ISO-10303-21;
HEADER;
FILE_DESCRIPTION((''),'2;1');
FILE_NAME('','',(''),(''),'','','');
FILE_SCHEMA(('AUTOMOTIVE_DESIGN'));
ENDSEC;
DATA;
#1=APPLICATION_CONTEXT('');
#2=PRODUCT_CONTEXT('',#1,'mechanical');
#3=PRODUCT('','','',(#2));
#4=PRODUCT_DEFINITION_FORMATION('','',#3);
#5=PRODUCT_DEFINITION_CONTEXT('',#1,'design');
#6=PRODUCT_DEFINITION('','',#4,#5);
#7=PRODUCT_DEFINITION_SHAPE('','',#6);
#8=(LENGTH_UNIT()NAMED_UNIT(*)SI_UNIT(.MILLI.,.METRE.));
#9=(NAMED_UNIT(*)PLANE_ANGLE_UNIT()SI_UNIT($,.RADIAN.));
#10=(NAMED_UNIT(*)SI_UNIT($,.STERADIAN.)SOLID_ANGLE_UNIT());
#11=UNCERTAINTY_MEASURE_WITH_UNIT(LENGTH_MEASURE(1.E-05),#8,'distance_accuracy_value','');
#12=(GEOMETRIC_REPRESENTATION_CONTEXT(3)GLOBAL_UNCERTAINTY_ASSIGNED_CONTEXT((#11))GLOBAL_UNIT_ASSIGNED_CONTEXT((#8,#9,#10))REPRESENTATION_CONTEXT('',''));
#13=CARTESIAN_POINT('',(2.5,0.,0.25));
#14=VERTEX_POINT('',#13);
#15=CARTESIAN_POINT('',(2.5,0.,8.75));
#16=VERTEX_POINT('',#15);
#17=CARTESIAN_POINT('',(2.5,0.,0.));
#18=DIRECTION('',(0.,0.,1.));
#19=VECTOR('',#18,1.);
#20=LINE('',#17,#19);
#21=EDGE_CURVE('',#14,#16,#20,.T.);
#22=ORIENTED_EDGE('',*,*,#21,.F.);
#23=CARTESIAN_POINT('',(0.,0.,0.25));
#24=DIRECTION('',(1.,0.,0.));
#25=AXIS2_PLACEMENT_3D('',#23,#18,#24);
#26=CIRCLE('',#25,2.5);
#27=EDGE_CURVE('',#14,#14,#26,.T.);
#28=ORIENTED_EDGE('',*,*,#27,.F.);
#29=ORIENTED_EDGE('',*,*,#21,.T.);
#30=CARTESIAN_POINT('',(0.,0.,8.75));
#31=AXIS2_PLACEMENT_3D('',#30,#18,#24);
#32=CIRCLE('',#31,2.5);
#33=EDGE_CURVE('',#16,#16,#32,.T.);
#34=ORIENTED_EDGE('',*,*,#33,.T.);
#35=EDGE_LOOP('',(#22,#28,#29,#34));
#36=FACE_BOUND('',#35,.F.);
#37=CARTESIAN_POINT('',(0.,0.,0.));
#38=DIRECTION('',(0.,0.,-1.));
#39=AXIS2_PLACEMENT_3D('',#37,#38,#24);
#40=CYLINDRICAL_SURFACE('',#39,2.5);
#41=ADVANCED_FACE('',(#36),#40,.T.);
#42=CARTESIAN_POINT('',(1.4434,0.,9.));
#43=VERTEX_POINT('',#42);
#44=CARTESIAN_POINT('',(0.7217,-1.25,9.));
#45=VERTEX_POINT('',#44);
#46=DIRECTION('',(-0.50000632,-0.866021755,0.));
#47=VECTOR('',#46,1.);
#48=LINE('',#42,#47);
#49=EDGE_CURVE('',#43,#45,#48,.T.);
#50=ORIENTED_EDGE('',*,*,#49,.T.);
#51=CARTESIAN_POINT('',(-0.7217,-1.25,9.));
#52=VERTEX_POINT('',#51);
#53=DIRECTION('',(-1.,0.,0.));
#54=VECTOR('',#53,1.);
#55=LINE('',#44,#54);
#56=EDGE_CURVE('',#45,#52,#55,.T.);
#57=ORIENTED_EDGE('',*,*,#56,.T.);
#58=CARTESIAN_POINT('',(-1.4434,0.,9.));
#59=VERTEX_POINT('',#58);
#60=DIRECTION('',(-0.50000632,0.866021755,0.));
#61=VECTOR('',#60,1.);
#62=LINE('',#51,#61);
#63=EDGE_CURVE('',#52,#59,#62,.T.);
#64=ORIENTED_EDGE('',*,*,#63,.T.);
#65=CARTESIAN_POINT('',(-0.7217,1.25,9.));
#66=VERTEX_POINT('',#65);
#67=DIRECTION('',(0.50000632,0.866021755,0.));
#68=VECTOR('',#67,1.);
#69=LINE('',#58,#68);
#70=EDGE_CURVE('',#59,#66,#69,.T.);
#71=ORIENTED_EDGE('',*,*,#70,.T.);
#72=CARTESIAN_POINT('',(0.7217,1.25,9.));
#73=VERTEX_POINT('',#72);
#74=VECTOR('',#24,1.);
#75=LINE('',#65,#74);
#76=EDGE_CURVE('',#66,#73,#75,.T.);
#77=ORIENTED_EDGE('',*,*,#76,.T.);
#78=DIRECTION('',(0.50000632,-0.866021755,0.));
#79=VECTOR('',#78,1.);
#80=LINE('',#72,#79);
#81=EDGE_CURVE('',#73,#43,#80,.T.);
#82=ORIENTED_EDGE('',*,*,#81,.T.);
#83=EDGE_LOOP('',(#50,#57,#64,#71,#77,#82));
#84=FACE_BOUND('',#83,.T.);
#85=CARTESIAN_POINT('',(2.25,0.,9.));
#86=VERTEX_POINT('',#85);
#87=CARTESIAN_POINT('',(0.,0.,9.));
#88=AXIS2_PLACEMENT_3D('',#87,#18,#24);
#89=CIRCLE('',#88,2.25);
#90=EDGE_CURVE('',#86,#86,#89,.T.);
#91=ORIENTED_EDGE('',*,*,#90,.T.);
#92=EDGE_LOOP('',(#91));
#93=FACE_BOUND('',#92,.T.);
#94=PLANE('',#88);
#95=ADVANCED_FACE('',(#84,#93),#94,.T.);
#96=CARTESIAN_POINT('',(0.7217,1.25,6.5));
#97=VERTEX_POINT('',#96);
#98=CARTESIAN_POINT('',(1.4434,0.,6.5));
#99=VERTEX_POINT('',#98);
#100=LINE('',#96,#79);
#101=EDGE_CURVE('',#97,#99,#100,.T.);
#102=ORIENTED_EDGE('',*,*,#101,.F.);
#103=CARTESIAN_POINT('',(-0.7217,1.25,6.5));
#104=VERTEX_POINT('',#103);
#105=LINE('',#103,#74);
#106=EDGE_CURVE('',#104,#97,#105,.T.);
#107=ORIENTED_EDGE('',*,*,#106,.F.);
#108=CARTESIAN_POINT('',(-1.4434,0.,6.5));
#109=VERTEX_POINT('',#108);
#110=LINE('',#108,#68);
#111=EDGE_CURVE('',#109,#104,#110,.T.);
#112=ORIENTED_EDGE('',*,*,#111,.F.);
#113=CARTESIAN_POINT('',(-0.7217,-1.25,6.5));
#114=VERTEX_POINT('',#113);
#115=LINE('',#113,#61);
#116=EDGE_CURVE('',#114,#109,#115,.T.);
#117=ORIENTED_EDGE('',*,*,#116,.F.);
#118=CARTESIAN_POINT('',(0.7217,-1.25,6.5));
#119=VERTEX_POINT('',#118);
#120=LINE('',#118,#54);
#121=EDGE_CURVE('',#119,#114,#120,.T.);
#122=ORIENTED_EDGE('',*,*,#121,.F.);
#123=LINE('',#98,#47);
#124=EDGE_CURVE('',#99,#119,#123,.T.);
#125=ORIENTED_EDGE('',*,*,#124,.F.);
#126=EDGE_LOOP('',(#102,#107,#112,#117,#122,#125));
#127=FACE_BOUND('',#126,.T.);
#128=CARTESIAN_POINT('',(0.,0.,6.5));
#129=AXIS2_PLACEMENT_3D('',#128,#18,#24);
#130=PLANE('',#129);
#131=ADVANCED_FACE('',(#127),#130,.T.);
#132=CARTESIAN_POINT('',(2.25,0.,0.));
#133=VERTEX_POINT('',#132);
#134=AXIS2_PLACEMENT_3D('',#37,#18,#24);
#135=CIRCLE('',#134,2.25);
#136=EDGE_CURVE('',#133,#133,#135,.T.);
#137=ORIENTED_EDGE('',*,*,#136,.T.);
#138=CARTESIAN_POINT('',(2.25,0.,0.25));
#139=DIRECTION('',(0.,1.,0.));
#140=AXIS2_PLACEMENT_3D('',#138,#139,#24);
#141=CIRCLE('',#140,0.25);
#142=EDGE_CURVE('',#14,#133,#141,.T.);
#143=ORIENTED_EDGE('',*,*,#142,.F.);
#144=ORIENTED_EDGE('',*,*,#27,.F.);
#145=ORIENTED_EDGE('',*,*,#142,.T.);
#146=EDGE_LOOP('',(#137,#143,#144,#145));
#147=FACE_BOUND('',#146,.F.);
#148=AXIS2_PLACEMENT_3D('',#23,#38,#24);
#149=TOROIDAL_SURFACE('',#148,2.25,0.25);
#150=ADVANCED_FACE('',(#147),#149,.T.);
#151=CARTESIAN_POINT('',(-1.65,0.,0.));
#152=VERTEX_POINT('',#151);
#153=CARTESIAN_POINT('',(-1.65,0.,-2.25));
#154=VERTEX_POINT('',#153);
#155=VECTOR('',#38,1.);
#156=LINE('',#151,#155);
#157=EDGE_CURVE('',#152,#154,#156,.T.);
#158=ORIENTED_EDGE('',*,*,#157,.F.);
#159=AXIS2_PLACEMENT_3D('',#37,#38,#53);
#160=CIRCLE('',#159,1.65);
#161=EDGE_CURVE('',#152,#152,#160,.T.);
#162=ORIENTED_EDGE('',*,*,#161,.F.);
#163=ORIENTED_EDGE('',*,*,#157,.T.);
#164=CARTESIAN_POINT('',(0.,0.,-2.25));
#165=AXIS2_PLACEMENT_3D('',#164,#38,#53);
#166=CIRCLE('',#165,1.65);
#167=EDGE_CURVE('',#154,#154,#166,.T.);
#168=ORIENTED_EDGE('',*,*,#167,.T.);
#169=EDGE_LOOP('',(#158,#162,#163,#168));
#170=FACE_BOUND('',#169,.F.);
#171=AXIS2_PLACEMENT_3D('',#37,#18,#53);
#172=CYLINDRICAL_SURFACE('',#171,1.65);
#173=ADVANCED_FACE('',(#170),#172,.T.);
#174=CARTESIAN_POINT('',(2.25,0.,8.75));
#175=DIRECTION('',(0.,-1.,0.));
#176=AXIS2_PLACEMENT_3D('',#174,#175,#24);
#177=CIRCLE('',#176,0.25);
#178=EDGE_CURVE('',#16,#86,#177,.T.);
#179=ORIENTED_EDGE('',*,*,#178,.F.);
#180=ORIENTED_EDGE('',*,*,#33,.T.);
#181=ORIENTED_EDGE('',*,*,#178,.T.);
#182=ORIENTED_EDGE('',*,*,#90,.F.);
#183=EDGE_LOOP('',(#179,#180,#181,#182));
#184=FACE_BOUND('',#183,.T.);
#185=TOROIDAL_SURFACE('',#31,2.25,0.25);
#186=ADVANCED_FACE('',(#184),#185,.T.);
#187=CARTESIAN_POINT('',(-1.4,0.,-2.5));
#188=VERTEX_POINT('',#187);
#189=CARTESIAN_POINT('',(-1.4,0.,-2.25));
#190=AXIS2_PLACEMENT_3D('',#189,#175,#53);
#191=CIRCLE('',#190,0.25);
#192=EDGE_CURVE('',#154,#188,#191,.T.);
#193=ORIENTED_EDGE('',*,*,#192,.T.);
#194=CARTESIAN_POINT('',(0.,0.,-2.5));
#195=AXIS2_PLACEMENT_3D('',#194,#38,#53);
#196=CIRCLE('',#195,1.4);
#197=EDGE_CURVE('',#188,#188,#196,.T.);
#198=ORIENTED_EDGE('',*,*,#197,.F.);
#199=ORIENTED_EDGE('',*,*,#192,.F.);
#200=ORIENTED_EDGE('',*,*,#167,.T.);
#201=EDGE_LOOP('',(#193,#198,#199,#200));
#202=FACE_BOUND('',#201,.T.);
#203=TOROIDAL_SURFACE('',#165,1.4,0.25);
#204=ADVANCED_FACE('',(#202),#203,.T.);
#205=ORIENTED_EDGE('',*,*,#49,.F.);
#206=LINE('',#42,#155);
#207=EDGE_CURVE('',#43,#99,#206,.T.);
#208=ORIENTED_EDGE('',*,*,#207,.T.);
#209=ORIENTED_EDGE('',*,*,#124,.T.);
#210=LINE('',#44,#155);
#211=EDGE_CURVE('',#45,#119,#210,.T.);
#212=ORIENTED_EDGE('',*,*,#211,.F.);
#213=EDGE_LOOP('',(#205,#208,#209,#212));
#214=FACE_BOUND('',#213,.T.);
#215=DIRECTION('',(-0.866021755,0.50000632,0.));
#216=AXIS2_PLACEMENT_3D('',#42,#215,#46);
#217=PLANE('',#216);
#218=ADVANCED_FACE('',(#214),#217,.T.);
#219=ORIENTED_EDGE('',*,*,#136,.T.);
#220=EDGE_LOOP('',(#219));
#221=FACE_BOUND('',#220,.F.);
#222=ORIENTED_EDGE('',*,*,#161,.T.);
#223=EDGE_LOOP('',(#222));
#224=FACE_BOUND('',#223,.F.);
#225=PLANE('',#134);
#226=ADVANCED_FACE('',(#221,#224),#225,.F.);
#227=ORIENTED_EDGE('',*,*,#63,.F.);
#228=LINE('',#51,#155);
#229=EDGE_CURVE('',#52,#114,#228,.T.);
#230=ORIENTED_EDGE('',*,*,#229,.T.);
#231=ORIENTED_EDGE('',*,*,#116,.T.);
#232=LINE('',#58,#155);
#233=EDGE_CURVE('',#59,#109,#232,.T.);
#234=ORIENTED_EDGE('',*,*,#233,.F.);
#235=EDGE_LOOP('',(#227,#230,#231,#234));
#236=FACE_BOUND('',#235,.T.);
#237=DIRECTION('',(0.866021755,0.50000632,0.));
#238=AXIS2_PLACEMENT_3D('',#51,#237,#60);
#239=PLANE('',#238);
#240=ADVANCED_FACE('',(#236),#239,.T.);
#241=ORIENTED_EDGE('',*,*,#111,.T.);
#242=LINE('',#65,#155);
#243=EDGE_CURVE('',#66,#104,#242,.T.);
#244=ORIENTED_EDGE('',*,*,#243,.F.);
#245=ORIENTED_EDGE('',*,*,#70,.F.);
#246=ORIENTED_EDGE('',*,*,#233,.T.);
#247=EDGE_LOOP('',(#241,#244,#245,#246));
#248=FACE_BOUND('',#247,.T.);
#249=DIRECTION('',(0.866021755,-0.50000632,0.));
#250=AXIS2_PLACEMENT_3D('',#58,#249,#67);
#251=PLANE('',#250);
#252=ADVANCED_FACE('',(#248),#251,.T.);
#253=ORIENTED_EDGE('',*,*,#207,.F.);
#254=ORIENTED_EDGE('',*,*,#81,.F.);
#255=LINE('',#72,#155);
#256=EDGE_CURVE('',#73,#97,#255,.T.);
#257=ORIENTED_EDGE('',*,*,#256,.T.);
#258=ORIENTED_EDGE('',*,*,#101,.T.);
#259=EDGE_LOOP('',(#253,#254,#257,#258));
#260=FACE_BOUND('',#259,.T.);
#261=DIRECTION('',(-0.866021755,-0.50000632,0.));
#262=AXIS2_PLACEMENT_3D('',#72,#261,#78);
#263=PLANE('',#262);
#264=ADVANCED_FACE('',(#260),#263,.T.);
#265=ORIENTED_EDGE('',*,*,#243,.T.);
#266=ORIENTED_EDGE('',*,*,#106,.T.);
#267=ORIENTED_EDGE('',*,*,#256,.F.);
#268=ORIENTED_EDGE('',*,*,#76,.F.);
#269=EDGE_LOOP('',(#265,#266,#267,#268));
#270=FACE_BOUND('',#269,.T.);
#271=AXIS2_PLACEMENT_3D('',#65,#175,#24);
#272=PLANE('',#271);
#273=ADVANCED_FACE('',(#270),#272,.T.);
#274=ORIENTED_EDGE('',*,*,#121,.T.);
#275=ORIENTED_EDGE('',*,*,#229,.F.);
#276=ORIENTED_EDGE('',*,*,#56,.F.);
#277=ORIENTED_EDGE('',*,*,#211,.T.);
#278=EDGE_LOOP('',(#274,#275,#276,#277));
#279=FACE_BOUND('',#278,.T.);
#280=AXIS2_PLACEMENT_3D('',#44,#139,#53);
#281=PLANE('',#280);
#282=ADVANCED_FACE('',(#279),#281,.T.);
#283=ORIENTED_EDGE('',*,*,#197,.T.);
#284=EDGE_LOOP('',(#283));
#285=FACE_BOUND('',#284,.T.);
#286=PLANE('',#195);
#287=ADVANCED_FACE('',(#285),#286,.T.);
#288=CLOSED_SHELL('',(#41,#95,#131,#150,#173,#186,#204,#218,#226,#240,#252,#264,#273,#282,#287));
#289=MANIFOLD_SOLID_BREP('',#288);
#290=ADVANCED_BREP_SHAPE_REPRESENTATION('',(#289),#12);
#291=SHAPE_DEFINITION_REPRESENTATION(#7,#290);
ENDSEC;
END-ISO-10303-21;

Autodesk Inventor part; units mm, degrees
ref_plane "YZ Plane" through (0, 0, 0) normal (1, 0, 0) x (0, 1, 0)
ref_plane "XZ Plane" through (0, 0, 0) normal (0, 1, 0) x (-1, 0, 0)
ref_plane "XY Plane" through (0, 0, 0) normal (0, 0, 1) x (1, 0, 0)
sketch "Esquisse1" plane through (0, 0, 0) normal (0, 0, 1) x (1, 0, 0)
  circle A0 centre (0, 0) radius 2.5
  dimension "d0" = 5
extrude "Extrusion1" add sketch "Esquisse1" along normal blind 9
sketch "Esquisse2" plane through (0, 0, 0) normal (0, 0, -1) x (-1, 0, 0)
  circle A0 centre (0, 0) radius 2.5 projected
  circle A1 centre (0, 0) radius 1.65
  dimension "d3" = 3.3
extrude "Extrusion2" add sketch "Esquisse2" along normal blind 2.5 contours A1
thread "Filetage1" size "M5x0.8" class "6g" standard "ANSI Metric M Profile" full length
sketch "Esquisse3" plane through (0, 0, 9) normal (0, 0, 1) x (1, 0, 0)
  line L0 (0.7217, 1.25) -> (1.4434, 0)
  line L1 (1.4434, 0) -> (0.7217, -1.25)
  line L2 (0.7217, -1.25) -> (-0.7217, -1.25)
  line L3 (-0.7217, -1.25) -> (-1.4434, 0)
  line L4 (-1.4434, 0) -> (-0.7217, 1.25)
  line L5 (-0.7217, 1.25) -> (0.7217, 1.25)
  point P0 (0, 0)
  point P1 (0, 0)
  dimension "d8" = 2.5
extrude "Extrusion3" cut sketch "Esquisse3" against normal blind 2.5
fillet "Congé1" radius 0.25 3 edges at (-2.5, 0, 9) (-2.5, 0, 0) (1.65, 0, -2.5)
properties part number "M5 pour ressort" material "----------"
